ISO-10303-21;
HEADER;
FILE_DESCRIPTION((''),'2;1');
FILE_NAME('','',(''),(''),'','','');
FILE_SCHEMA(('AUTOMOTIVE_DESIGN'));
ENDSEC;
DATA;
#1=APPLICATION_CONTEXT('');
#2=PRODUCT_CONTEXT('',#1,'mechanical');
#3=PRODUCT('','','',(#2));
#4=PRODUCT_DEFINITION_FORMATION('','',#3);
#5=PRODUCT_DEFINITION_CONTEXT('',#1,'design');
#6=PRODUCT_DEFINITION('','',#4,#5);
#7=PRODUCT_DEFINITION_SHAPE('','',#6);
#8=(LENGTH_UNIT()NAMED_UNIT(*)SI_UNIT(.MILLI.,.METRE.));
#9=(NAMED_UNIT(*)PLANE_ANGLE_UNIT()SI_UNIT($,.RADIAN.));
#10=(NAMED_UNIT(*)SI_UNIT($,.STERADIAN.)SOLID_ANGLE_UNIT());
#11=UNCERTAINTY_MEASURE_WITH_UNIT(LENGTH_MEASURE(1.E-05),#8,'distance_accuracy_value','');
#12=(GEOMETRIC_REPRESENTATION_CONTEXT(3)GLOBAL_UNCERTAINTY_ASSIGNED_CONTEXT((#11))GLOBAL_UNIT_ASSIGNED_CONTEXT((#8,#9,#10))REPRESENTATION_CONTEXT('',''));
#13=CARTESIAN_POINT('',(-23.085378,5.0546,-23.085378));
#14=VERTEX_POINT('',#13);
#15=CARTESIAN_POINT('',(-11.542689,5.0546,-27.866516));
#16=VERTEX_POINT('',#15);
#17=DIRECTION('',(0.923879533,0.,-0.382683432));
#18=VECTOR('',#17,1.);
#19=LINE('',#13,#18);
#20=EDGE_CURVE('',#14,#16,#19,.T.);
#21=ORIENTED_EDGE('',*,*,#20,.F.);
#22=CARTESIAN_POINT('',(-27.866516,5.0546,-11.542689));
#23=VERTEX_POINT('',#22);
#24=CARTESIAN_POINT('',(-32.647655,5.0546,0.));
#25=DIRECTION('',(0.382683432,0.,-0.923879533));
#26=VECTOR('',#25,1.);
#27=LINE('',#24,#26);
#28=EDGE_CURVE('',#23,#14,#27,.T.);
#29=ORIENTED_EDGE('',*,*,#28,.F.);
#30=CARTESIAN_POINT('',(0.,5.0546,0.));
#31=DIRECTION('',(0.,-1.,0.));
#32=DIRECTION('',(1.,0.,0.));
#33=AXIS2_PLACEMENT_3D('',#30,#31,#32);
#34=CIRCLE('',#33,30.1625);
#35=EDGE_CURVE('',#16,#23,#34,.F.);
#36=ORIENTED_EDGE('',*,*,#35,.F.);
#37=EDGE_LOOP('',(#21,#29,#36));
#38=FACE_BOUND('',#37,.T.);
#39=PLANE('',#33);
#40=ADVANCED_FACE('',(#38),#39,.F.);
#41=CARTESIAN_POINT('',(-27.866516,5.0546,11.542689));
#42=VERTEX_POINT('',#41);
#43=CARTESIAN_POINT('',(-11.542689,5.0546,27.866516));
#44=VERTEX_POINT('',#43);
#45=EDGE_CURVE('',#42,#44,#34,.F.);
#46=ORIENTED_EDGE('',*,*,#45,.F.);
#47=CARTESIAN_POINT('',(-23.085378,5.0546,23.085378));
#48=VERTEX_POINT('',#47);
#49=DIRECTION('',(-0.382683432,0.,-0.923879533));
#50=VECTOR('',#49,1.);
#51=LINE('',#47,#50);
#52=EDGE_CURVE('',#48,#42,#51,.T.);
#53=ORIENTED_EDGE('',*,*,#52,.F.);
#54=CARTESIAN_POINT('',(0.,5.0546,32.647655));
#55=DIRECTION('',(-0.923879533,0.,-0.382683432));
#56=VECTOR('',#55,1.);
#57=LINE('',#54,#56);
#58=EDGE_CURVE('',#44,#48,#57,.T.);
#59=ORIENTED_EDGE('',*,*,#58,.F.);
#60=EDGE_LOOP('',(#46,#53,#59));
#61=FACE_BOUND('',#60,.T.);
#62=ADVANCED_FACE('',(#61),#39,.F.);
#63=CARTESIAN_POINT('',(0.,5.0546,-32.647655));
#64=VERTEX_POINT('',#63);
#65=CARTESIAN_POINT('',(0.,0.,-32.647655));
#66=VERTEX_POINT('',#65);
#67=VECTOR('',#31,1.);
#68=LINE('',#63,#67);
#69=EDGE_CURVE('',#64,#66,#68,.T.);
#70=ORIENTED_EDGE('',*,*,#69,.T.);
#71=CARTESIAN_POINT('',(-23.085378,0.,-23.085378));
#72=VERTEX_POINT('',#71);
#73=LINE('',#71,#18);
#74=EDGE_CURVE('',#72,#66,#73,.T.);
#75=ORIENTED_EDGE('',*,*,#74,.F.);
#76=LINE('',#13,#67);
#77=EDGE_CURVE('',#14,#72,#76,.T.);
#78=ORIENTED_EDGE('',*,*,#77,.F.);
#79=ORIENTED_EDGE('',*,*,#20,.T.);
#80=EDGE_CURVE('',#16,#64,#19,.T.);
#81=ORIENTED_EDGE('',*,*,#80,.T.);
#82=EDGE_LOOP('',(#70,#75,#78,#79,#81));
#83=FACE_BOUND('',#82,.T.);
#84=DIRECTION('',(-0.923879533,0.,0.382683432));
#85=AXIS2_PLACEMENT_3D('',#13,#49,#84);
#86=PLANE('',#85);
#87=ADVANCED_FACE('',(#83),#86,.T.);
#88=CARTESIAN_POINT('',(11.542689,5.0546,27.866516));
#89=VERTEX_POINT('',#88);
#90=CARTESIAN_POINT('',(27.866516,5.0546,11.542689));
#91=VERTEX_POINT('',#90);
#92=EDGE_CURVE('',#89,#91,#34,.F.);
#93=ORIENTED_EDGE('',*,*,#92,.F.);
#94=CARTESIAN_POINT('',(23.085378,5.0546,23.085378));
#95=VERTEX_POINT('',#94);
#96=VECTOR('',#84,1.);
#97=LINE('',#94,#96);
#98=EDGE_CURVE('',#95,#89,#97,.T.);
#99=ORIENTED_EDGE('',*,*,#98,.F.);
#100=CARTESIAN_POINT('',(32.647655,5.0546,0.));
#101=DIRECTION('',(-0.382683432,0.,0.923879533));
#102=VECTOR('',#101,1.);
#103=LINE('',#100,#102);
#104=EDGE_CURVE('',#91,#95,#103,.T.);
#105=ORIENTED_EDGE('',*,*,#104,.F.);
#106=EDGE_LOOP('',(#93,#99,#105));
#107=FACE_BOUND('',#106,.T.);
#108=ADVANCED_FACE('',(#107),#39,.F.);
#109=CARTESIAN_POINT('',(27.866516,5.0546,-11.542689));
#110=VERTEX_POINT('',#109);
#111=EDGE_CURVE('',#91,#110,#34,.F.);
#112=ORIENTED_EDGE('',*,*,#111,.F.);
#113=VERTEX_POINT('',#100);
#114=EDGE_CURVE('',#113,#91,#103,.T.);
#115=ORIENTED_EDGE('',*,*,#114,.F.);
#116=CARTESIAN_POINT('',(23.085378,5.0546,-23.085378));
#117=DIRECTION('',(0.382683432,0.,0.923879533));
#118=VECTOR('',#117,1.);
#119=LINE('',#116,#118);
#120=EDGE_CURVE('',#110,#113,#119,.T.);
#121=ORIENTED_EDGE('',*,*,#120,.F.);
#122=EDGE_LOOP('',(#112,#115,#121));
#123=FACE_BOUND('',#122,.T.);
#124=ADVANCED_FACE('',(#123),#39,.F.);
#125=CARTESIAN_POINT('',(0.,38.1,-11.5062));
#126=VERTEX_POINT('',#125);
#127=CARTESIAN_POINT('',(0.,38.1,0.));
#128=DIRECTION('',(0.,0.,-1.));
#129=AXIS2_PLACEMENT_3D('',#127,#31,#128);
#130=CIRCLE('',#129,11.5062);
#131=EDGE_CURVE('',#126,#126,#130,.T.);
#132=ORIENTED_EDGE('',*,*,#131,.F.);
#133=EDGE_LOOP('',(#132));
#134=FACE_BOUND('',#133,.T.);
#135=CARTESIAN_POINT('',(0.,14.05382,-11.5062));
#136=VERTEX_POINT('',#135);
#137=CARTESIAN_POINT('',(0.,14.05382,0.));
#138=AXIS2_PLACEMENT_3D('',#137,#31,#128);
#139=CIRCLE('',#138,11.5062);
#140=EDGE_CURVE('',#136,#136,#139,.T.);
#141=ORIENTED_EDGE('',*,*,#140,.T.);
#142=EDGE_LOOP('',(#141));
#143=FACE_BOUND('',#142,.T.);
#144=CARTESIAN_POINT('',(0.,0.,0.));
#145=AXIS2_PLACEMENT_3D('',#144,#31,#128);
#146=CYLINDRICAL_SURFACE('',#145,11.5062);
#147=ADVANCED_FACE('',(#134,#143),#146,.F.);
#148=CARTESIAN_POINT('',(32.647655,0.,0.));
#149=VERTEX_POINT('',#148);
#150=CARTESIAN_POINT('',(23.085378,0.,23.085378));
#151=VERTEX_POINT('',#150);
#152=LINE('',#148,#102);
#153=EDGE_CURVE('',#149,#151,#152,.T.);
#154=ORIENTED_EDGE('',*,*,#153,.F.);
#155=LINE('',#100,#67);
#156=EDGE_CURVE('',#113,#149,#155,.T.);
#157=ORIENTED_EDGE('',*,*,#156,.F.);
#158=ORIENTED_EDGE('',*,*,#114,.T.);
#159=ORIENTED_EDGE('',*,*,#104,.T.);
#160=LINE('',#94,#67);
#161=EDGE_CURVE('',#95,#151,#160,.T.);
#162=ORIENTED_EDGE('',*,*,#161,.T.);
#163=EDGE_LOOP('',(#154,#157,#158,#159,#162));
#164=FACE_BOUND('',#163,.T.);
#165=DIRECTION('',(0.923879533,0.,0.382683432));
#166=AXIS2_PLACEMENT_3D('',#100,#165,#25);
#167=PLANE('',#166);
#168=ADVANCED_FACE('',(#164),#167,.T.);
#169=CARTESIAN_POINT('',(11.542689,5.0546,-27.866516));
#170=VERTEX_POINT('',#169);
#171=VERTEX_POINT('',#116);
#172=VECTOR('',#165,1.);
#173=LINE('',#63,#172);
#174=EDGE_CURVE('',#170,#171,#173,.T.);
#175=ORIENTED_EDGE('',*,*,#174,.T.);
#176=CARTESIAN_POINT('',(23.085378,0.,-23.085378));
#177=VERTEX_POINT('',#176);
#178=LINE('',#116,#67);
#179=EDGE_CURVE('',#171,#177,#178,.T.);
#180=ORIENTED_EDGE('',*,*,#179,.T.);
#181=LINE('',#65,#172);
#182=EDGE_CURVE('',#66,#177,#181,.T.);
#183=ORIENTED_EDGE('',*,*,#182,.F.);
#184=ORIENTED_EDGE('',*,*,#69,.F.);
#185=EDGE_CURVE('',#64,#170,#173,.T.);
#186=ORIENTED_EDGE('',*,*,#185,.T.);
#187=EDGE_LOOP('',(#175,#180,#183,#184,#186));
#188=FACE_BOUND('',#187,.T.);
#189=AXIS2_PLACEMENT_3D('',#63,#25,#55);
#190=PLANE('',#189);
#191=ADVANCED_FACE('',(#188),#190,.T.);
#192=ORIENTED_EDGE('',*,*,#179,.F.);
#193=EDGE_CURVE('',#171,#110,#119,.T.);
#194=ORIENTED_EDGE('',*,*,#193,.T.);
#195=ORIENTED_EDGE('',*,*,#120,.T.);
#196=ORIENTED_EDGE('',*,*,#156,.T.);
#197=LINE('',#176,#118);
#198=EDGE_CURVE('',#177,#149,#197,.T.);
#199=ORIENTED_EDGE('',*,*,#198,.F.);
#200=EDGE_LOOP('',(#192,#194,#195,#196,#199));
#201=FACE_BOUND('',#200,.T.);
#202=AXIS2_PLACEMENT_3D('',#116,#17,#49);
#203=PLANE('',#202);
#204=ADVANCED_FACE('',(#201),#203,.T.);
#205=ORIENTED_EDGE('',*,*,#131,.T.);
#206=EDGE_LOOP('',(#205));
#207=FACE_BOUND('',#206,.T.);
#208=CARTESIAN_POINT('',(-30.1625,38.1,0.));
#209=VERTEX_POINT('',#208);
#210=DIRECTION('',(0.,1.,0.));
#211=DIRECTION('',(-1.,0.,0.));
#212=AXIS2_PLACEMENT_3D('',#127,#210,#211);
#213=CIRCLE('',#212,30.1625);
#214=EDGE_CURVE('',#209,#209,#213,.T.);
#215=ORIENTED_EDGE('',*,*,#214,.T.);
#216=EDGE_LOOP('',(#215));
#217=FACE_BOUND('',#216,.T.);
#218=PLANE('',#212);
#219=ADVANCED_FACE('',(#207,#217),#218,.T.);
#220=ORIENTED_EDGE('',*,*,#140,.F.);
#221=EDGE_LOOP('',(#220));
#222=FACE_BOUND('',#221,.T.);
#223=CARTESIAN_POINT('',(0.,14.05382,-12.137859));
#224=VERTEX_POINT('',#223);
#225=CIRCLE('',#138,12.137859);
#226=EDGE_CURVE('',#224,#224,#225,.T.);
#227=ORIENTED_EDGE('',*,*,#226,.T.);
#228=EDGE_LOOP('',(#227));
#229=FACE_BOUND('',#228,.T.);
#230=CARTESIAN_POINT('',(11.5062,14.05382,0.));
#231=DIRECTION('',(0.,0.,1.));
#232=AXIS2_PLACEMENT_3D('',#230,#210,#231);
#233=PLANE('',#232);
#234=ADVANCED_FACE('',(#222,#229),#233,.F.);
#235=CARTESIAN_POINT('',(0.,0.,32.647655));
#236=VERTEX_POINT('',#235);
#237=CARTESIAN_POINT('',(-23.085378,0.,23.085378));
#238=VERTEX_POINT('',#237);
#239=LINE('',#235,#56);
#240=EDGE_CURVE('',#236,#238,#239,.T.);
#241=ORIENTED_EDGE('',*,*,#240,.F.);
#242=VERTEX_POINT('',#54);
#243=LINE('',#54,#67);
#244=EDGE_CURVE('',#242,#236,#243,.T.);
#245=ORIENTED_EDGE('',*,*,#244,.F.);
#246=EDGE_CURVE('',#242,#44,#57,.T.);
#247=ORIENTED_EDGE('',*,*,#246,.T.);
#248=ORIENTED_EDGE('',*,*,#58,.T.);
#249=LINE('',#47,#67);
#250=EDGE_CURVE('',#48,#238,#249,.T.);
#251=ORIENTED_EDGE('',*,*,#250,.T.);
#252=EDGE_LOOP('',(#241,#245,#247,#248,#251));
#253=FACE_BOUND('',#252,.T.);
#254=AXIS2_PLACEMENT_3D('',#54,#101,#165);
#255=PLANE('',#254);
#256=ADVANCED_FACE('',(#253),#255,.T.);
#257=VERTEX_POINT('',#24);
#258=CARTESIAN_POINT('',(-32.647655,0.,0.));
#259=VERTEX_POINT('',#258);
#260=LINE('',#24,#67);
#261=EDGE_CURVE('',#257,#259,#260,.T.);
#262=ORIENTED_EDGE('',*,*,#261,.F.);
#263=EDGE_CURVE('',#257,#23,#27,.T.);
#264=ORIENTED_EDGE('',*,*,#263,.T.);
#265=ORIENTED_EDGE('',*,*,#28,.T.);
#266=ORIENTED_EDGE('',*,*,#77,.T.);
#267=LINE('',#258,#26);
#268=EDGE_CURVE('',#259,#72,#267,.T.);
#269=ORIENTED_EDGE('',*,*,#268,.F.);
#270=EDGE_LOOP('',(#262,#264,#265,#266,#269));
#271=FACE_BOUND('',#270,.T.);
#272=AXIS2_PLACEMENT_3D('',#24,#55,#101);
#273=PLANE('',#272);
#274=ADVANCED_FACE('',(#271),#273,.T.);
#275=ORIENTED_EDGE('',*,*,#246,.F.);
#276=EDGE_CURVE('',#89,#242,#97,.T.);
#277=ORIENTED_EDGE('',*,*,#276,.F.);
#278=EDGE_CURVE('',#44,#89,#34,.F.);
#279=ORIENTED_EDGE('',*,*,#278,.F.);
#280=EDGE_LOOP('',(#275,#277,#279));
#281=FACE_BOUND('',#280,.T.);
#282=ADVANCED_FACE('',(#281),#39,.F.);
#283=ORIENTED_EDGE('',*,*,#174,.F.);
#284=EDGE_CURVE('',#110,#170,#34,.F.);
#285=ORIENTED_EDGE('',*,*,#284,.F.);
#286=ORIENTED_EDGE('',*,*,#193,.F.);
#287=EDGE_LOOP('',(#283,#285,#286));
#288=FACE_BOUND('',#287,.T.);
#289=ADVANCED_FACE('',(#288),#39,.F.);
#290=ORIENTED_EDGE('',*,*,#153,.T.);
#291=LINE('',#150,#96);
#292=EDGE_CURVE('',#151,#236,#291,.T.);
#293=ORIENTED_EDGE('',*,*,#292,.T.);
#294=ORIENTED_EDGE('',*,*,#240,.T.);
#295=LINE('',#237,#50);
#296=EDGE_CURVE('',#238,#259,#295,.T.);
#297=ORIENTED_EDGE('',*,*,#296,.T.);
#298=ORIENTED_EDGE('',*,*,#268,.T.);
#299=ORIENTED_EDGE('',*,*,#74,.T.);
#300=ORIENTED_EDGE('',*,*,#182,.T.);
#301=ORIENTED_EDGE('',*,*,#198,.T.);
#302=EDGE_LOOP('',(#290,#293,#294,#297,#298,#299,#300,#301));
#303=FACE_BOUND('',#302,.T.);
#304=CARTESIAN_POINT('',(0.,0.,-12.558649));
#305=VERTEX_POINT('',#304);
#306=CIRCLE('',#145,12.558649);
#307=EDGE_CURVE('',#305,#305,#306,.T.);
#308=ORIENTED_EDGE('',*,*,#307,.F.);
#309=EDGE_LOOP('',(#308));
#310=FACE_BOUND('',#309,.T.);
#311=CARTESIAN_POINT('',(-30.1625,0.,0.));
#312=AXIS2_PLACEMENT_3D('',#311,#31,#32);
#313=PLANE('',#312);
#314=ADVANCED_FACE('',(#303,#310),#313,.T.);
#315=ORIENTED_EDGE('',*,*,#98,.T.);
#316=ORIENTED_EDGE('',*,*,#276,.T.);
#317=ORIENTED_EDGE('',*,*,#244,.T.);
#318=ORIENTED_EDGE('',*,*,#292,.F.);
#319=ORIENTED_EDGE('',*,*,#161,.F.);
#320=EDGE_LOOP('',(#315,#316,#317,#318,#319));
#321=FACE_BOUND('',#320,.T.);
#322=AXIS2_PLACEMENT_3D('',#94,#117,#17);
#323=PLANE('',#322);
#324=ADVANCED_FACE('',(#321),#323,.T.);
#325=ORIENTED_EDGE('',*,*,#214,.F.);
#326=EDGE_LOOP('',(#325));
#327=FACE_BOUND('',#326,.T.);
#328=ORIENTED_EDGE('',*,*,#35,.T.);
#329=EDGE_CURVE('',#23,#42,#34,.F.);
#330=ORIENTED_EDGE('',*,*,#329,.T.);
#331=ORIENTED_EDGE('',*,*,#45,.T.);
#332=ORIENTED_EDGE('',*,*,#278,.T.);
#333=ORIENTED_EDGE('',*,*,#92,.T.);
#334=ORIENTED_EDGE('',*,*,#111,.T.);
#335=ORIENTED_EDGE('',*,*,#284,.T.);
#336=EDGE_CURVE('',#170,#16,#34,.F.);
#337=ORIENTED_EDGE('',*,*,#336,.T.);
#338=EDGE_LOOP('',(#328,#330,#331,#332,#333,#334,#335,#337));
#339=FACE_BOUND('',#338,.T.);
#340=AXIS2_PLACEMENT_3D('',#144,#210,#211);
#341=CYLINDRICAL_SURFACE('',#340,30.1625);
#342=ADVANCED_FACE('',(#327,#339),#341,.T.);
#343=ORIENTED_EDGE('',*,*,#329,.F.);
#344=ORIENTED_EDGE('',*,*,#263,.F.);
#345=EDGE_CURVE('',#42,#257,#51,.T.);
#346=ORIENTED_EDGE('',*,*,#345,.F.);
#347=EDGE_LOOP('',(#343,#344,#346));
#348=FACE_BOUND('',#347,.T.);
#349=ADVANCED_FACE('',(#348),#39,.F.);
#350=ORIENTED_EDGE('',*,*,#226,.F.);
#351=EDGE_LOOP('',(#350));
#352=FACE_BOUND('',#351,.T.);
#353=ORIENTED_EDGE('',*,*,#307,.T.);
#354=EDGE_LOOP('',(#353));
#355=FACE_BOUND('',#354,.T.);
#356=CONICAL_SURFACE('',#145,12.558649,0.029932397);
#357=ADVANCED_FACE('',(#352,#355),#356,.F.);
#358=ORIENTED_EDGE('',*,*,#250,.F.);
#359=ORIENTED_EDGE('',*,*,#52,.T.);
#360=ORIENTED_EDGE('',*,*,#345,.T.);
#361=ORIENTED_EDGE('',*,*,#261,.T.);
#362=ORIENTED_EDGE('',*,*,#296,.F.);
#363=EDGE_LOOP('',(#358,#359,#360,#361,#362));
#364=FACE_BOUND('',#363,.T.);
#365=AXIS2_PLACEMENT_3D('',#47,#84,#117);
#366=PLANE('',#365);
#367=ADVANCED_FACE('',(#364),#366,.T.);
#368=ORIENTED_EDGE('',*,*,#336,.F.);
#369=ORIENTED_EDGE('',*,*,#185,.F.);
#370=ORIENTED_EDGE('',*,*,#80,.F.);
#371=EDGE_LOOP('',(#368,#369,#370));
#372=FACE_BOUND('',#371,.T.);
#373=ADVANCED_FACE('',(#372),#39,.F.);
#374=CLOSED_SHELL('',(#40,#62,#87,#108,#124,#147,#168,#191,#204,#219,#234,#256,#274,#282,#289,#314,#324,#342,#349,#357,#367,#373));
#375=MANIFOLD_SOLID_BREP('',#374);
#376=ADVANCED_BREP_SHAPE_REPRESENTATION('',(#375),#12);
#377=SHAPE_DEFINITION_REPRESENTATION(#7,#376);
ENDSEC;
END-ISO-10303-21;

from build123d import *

# Parameters (mm, degrees)
SKETCH1_W           = 30.1625
SKETCH1_H           = 38.1
BOSS_EXTRUDE1_DEPTH = 5.0546


with BuildPart() as part:
    # Sketch1 → Revolve1 (revolve)
    with BuildSketch(Plane.XY):
        with Locations((-15.08125, 19.05)):
            Rectangle(SKETCH1_W, SKETCH1_H)
    revolve(axis=Axis((0, 0, 0), (0, -1, 0)))

    # Sketch2 → Boss-Extrude1 (add)
    with BuildSketch(Plane.XZ):
        Polygon((0, 32.647654741), (-23.085378057, 23.085378057), (-32.647654741, 0), (-23.085378057, -23.085378057), (0, -32.647654741), (23.085378057, -23.085378057), (32.647654741, 0), (23.085378057, 23.085378057), align=None)
    extrude(amount=-BOSS_EXTRUDE1_DEPTH)

    # Sketch4 → 3/4 NPT Tapped Hole1 (revolve, cut)
    with BuildSketch(Plane(origin=(0, 0, 0), x_dir=(0, 0, -1), z_dir=(1, 0, 0))):
        Polygon((0, 0), (0, 38.1), (11.5062, 38.1), (11.5062, 14.05382), (12.137858809, 14.05382), (12.558649, 0), align=None)
    revolve(axis=Axis((0, -6.35, 0), (0, 1, 0)), mode=Mode.SUBTRACT)


solid = part.part
